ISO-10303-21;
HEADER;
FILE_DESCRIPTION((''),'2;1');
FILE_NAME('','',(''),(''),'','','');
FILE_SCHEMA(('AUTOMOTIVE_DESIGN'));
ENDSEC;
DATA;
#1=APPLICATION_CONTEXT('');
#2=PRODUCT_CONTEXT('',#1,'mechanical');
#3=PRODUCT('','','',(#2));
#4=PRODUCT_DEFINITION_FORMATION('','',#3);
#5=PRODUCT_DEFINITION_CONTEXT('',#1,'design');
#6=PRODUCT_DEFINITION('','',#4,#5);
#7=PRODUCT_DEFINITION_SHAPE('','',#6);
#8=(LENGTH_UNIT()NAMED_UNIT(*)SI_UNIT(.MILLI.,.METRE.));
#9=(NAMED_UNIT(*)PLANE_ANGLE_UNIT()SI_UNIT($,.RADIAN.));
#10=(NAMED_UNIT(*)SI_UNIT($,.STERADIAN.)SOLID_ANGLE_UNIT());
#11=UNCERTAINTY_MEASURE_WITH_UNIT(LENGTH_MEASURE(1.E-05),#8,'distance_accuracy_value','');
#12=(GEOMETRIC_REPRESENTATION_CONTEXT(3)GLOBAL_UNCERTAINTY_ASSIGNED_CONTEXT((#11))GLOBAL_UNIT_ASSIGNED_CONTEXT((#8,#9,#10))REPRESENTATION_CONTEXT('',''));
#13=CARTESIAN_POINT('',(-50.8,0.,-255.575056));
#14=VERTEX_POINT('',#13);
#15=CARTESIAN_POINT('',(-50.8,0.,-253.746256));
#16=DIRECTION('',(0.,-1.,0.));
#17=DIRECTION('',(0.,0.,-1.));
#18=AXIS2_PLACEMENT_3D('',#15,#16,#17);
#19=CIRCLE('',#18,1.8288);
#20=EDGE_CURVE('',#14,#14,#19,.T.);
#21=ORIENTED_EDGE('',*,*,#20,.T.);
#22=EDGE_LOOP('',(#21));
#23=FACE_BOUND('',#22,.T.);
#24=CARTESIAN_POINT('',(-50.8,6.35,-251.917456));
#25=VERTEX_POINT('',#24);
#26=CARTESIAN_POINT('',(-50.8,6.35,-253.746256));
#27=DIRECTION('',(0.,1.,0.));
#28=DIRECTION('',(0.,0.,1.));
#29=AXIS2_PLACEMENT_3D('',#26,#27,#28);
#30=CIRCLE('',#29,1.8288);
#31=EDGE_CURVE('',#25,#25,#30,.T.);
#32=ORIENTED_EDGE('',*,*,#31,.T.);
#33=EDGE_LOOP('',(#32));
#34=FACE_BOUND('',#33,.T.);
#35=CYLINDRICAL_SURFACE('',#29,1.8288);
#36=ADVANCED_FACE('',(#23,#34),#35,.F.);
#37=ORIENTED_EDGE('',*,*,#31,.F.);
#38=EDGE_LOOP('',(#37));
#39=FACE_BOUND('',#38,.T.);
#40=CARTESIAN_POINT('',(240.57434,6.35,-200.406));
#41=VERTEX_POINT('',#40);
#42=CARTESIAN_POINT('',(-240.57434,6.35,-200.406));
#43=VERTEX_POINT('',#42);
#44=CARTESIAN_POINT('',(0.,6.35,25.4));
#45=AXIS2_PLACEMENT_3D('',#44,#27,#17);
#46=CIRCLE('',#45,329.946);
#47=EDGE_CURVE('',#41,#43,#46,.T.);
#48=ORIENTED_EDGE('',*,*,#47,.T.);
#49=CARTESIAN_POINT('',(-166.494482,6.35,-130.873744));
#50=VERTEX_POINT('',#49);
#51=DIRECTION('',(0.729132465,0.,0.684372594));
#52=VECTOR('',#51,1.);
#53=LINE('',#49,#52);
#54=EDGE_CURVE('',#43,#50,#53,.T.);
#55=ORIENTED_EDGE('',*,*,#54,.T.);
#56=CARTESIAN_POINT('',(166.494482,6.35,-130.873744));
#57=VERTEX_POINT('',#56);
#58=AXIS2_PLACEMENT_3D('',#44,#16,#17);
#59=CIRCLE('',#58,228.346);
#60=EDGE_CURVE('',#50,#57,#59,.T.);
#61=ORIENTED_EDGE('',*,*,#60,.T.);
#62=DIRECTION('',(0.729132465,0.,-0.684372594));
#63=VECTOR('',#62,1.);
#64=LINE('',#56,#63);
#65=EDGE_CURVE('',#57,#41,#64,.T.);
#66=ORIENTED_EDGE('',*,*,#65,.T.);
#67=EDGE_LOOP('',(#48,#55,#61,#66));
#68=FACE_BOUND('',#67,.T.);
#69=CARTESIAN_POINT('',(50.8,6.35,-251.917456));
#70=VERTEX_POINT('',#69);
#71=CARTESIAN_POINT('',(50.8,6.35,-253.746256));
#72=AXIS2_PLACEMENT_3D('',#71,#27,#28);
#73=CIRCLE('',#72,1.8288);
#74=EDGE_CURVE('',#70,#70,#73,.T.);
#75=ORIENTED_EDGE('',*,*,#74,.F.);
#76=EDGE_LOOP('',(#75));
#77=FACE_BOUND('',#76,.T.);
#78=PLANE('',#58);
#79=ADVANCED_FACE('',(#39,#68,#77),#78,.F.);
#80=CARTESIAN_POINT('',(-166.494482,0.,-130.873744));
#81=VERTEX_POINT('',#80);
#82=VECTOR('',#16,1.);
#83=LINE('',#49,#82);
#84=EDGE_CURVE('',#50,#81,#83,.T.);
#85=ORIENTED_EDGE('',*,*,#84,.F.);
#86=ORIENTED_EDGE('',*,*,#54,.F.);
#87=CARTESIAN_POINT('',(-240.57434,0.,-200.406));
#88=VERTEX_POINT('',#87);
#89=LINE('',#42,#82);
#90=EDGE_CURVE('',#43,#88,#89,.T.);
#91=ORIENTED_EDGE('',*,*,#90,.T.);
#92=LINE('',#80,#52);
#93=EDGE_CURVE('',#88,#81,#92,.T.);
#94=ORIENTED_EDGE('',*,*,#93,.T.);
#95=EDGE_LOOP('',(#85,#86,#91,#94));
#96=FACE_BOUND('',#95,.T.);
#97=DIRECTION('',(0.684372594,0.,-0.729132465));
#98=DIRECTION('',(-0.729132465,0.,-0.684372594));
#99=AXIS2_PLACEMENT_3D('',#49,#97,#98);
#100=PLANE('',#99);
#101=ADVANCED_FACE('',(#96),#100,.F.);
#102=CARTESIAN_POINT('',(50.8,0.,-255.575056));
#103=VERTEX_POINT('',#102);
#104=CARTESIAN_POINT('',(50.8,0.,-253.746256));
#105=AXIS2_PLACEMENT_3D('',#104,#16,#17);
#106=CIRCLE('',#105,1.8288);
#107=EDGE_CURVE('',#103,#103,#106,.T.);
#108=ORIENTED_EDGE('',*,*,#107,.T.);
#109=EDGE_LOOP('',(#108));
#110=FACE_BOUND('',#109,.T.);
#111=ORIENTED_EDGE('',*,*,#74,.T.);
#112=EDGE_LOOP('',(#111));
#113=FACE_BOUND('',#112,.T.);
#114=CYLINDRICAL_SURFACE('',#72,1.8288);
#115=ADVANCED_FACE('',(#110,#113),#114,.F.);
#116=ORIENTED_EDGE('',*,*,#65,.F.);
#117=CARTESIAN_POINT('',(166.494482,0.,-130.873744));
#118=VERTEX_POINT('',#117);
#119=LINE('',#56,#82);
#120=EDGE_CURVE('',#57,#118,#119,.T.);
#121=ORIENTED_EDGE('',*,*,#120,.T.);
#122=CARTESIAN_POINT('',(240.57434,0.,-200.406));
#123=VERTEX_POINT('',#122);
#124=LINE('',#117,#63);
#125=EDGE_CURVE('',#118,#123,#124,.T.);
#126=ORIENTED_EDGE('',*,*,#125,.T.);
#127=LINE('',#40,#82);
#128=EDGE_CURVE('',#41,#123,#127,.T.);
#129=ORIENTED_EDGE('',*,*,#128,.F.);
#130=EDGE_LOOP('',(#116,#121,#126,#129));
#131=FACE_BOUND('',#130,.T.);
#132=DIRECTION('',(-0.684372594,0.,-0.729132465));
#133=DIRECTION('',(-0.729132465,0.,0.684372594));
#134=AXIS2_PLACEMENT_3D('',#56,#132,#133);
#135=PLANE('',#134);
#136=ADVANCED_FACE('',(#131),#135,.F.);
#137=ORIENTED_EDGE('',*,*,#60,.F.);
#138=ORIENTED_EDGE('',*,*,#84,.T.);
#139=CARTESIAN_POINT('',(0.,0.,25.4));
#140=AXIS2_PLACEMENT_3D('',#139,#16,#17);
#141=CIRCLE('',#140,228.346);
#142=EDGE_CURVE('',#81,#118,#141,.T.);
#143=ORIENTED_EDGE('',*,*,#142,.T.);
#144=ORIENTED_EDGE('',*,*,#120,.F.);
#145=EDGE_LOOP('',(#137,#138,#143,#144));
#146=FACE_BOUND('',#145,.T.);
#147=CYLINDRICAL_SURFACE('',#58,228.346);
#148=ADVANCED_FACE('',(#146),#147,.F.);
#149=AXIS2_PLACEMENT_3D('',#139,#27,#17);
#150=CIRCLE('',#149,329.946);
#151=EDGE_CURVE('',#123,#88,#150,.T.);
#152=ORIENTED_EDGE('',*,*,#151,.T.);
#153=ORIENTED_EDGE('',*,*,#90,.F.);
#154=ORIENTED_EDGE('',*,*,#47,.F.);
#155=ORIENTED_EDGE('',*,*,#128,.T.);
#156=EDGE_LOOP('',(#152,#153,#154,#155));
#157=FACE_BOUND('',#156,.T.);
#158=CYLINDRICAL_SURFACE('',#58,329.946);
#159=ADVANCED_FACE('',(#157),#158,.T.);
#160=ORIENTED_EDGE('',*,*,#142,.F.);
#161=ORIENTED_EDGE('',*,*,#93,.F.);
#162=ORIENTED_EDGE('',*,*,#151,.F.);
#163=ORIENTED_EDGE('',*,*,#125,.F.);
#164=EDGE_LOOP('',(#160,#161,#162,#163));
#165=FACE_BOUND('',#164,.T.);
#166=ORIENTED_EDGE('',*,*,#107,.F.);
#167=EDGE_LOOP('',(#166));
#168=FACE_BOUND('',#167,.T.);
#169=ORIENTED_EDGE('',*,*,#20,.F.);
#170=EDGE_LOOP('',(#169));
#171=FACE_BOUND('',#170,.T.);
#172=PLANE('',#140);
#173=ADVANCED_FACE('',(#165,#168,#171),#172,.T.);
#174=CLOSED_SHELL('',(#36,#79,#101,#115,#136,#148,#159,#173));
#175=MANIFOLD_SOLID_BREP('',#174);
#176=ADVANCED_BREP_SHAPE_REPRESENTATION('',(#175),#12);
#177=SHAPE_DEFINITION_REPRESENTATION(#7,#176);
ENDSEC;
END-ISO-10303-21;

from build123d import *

# Parameters (mm, degrees)
BOSS_EXTRUDE1_DEPTH       = 6.35
F_6_CLEARANCE_HOLE1_D     = 3.6576
F_6_CLEARANCE_HOLE1_DEPTH = 25.4
F_6_CLEARANCE_HOLE1_TIP   = 1.0988539


with BuildPart() as part:
    # Sketch1 → Boss-Extrude1 (new body)
    with BuildSketch(Plane(origin=(0, 0, 0), x_dir=(1, 0, 0), z_dir=(0, 1, 0))):
        with BuildLine():
            Line((166.494481955, 130.873744419), (240.574340444, 200.406))
            ThreePointArc((240.574340444, 200.406), (0, 304.546), (-240.574340444, 200.406))
            Line((-240.574340444, 200.406), (-166.494481955, 130.873744419))
            ThreePointArc((-166.494481955, 130.873744419), (0, 202.946), (166.494481955, 130.873744419))
        make_face()
    extrude(amount=BOSS_EXTRUDE1_DEPTH)

    # #6 Clearance Hole1
    with Locations(Plane(origin=(-50.8, 6.35, -253.746255929), x_dir=(0, 0, 1), z_dir=(0, 1, 0))):
        with Locations((0, 0), (0, 101.6)):
            Hole(F_6_CLEARANCE_HOLE1_D / 2, depth=F_6_CLEARANCE_HOLE1_DEPTH)
            with Locations((0, 0, -(F_6_CLEARANCE_HOLE1_DEPTH + F_6_CLEARANCE_HOLE1_TIP / 2))):  # 118° drill point
                Cone(0, F_6_CLEARANCE_HOLE1_D / 2, F_6_CLEARANCE_HOLE1_TIP, mode=Mode.SUBTRACT)


solid = part.part
